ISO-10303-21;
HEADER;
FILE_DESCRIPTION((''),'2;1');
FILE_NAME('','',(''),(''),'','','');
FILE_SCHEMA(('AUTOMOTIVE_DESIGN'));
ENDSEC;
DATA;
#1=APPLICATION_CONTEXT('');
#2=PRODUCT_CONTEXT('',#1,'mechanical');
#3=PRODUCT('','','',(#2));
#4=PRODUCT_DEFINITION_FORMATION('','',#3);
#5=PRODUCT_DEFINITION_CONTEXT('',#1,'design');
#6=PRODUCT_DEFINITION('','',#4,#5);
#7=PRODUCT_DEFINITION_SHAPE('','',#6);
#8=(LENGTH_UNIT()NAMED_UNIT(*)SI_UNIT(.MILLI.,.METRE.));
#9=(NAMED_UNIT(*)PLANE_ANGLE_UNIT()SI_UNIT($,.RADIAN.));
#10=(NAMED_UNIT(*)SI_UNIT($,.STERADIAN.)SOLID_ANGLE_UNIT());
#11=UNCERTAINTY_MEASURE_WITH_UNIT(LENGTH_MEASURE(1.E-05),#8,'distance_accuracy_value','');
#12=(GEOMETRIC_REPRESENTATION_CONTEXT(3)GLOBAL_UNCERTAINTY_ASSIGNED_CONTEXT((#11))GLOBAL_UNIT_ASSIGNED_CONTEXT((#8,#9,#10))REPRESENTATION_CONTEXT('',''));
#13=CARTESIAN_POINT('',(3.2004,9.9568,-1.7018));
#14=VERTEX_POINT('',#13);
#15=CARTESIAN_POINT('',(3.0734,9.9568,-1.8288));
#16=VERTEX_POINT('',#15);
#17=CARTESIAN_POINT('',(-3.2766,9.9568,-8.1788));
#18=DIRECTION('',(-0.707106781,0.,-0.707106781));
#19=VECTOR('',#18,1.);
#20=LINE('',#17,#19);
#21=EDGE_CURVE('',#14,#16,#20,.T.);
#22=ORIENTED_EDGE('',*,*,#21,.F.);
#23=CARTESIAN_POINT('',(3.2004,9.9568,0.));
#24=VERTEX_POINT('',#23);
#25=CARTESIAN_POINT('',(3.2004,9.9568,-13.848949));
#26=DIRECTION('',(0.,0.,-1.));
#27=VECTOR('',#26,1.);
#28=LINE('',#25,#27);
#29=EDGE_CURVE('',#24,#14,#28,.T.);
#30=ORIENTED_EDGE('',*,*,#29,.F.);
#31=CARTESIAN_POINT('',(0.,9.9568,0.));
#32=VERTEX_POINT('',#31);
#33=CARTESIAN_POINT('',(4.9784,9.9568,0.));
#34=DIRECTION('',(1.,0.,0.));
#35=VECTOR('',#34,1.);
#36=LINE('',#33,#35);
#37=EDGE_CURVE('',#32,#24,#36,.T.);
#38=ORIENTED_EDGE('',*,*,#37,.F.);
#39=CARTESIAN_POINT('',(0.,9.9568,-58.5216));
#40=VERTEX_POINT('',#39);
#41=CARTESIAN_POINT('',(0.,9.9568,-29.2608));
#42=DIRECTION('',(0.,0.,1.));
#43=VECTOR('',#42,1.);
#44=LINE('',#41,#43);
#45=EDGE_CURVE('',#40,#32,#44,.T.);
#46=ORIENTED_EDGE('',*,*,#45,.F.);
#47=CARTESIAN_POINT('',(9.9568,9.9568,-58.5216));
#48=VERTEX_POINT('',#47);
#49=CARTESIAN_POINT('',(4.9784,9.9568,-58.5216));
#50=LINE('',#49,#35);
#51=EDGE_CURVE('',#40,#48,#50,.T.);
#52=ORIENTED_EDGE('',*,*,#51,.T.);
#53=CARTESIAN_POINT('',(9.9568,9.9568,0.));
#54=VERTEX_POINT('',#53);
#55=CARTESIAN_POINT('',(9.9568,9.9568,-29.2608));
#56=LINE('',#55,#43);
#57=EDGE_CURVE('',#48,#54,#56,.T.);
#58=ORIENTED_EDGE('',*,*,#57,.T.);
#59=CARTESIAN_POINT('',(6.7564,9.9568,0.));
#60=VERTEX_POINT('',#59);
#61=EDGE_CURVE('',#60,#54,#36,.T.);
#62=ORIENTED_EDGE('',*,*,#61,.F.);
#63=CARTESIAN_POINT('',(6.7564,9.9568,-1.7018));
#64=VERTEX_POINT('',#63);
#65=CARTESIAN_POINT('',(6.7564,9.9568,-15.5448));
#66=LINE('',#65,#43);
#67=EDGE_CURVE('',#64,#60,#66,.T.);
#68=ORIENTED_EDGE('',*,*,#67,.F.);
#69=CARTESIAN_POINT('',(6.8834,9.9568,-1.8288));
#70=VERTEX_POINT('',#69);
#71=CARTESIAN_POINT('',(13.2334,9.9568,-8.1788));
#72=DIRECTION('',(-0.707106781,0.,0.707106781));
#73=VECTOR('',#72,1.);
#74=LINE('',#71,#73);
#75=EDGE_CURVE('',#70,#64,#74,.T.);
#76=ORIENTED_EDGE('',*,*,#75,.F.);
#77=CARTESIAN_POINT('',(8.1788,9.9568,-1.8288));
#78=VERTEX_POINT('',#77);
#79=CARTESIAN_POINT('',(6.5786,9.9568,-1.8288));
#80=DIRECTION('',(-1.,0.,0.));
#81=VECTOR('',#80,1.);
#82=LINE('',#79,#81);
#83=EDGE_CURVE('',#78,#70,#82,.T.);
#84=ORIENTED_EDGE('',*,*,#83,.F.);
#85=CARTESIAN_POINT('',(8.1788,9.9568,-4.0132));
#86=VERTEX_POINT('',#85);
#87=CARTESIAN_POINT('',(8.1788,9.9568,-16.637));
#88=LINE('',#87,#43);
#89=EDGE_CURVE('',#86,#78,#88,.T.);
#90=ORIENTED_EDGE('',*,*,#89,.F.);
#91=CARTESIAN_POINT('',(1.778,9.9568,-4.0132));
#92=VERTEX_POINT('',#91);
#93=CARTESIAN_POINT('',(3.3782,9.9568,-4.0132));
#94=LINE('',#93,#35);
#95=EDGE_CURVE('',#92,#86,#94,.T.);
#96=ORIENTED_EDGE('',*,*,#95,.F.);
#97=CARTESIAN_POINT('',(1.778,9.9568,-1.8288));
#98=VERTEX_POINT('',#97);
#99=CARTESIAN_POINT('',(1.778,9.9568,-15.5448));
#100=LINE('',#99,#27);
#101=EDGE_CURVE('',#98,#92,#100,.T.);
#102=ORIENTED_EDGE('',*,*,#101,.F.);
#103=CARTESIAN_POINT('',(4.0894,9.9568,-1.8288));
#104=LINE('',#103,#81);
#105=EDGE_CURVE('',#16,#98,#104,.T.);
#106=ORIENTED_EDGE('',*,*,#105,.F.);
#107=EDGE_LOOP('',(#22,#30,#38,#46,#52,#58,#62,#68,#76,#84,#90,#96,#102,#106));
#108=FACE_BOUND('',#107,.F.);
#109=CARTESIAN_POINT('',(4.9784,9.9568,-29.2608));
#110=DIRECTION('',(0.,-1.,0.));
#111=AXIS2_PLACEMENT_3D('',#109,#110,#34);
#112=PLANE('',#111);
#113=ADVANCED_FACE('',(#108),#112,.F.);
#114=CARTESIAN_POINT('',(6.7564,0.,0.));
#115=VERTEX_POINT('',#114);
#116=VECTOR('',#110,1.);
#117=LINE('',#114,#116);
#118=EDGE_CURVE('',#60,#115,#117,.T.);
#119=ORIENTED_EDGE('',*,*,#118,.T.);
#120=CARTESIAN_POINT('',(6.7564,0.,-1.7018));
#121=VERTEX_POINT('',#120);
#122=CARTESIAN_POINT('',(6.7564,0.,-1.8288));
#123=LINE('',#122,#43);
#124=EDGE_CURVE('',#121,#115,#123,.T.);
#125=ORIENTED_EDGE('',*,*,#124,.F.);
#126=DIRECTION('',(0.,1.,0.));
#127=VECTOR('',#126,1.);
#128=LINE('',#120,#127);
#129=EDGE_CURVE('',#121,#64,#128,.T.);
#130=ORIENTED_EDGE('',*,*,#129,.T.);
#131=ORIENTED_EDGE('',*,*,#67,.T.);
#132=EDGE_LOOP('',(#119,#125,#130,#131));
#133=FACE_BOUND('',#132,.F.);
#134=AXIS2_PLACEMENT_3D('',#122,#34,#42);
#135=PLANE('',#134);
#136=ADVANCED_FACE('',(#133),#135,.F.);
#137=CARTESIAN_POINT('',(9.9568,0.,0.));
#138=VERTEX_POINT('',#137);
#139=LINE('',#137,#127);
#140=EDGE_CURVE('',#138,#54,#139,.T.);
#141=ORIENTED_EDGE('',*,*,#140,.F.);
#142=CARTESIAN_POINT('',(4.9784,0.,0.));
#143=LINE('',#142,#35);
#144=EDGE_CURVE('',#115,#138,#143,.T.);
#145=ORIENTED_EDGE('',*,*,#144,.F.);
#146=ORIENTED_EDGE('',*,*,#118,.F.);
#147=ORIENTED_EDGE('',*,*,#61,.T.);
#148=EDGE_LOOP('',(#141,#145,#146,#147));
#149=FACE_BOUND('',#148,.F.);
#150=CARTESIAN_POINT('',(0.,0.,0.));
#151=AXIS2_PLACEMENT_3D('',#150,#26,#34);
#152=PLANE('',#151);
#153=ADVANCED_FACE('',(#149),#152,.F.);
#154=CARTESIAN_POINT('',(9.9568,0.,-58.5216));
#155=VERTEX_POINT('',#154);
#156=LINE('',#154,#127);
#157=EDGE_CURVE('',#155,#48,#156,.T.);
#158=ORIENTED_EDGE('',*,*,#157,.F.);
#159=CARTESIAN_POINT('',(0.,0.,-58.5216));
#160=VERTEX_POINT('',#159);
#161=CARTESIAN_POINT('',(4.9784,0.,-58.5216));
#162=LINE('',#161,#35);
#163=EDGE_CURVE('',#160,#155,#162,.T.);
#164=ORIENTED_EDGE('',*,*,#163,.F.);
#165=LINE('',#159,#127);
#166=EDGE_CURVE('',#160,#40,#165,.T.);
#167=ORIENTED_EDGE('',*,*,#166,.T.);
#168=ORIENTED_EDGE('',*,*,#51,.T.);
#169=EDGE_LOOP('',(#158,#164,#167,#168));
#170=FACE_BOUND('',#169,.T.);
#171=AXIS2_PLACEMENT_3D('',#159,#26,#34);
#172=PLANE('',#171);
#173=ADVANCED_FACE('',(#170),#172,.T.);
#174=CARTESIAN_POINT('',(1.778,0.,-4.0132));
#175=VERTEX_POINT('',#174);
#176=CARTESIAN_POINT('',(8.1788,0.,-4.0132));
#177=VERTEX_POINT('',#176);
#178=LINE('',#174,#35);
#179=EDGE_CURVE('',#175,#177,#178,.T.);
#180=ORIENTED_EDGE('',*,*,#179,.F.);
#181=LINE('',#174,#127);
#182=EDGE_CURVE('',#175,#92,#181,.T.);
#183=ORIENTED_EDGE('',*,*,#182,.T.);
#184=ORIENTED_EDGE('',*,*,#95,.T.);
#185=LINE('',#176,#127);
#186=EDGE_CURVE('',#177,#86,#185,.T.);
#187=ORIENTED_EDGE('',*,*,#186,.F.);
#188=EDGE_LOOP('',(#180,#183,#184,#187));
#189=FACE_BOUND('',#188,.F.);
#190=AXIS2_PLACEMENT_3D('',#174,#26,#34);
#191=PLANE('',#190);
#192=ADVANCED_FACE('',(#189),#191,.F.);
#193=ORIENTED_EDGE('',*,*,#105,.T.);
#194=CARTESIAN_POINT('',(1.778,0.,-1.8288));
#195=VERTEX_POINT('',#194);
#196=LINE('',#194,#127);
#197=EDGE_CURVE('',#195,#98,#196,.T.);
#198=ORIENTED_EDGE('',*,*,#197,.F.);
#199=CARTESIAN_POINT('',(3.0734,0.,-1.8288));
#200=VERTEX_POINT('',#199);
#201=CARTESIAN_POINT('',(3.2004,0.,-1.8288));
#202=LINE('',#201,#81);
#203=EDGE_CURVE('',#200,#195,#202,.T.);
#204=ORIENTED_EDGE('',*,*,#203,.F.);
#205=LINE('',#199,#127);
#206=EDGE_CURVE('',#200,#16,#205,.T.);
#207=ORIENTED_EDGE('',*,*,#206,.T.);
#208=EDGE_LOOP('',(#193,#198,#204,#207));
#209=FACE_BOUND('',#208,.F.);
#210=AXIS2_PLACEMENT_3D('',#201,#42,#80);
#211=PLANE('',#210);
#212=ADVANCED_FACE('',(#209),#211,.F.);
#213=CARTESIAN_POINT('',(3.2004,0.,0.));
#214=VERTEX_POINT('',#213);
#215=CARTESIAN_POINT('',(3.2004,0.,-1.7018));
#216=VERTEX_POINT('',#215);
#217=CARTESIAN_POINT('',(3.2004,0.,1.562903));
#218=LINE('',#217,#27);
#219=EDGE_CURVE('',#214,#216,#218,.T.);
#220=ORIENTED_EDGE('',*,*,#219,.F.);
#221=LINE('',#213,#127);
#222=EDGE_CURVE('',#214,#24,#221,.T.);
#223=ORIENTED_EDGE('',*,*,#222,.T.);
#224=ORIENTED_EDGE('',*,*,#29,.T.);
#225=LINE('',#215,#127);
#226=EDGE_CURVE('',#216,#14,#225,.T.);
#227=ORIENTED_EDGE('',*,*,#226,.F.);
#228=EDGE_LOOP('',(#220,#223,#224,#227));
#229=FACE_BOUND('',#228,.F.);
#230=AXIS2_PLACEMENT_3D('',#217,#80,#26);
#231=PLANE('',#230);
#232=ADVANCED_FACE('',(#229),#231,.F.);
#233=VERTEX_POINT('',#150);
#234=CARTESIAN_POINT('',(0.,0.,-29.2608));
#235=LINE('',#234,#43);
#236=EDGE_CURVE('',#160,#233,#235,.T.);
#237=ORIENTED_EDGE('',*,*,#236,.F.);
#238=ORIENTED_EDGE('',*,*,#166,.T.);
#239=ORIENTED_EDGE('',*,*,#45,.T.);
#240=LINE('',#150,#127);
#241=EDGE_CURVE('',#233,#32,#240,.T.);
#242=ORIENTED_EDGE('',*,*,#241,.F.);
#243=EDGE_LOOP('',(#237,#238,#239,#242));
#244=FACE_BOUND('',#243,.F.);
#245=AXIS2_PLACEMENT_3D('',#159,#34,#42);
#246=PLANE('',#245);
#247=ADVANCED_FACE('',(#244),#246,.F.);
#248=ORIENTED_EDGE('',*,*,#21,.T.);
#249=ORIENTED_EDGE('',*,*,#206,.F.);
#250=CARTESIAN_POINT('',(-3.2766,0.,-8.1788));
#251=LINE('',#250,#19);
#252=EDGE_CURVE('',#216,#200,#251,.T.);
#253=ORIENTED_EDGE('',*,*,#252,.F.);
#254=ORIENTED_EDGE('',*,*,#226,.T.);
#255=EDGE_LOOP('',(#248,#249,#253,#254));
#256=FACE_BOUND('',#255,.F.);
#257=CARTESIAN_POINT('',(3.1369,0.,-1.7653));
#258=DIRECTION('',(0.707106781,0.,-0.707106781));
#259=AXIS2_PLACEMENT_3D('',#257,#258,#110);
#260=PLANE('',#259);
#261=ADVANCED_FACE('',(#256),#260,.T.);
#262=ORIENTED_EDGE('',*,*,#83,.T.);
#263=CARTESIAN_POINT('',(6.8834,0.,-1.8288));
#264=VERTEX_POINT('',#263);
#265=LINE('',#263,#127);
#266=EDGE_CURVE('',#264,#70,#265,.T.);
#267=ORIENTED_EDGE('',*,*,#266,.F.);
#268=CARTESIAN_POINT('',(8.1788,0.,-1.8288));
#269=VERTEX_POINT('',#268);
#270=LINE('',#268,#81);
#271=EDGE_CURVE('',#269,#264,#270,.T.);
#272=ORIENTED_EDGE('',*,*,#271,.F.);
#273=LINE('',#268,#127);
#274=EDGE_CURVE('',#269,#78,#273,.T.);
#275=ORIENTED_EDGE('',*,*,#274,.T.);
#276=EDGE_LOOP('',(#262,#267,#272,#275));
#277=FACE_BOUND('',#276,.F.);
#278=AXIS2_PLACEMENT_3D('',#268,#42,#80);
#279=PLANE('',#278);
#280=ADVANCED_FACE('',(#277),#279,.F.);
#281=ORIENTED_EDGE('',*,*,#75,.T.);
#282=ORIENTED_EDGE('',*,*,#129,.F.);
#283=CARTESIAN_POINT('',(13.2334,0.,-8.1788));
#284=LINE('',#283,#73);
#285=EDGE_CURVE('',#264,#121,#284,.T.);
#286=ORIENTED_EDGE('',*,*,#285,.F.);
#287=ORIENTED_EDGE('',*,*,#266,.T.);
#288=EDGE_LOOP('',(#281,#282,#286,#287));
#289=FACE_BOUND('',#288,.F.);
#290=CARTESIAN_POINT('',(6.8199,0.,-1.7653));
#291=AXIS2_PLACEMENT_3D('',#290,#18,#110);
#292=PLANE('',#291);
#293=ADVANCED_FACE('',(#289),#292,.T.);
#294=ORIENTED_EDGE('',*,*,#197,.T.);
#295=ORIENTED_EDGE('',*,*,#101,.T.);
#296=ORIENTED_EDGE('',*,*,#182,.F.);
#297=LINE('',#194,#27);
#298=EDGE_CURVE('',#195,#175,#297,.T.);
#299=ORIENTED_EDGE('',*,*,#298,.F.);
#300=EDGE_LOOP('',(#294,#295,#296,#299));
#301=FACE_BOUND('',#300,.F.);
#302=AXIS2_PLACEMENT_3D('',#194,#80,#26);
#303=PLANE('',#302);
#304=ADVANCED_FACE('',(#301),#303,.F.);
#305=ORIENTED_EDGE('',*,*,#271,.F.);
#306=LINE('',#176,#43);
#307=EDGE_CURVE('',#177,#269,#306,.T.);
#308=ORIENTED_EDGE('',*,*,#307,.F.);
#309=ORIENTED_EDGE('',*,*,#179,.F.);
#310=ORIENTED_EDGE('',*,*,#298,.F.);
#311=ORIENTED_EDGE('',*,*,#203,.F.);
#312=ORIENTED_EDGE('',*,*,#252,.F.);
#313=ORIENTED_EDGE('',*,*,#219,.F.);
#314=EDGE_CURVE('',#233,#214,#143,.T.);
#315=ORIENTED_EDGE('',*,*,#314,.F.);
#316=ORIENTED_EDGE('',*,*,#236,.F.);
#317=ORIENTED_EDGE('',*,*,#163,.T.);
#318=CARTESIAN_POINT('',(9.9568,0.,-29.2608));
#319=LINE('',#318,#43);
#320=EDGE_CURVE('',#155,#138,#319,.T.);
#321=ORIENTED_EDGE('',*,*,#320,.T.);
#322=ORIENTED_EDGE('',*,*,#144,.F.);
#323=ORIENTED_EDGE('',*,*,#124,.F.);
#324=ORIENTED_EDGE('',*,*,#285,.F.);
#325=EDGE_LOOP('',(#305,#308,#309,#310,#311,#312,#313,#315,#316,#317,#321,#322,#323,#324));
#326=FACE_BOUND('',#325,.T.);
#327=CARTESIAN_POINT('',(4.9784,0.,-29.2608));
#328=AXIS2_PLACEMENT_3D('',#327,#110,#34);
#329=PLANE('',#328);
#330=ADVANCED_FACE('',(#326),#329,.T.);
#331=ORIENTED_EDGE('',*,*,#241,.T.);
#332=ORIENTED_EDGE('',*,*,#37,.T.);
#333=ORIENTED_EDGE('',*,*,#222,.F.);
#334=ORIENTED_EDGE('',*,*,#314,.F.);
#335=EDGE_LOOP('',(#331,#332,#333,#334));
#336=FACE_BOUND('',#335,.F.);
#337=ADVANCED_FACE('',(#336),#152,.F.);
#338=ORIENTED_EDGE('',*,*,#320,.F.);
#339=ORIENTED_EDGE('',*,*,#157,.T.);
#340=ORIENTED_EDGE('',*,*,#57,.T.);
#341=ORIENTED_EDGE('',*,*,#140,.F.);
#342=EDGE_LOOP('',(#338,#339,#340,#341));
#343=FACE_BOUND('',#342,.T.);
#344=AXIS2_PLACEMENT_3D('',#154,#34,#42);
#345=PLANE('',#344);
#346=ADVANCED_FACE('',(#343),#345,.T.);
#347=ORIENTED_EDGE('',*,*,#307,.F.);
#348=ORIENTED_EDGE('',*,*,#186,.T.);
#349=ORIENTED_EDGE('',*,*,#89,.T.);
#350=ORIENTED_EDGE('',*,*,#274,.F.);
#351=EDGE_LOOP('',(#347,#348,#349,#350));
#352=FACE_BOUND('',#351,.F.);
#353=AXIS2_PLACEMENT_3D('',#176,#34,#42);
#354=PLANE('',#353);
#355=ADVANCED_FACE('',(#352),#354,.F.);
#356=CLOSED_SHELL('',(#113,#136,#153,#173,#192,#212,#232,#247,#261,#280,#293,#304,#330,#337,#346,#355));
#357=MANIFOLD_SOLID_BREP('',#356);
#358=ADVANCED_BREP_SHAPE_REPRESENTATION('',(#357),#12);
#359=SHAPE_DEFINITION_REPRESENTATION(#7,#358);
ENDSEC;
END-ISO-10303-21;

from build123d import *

# Parameters (mm, degrees)
F0_W     = 9.9568
F0_H     = 58.5216
F1_DEPTH = 9.9568
F3_DEPTH = 9.9578
F4_SIZE  = 0.127


with BuildPart() as f1:
    # F0 (on Front) → F1 (new body)
    with BuildSketch(Plane.XZ):
        with Locations((4.9784, -29.2608)):
            Rectangle(F0_W, F0_H)
    extrude(amount=-F1_DEPTH)

    # F2 (on face) → F3 (cut, through all)
    with BuildSketch(Plane.XZ):
        Polygon((6.7564, 1.562734), (3.2004, 1.562903), (3.2004, -1.8288), (1.778, -1.8288), (1.778, -4.0132), (8.1788, -4.0132), (8.1788, -1.8288), (6.7564, -1.8288), align=None)
    extrude(amount=-F3_DEPTH, mode=Mode.SUBTRACT)

    # F4
    f4_edges = [f1.edges().sort_by_distance(p)[0] for p in [
        (3.2004, 4.9784, -1.8288),
        (6.7564, 4.9784, -1.8288),
    ]]
    chamfer(f4_edges, length=F4_SIZE)


solid = f1.part
